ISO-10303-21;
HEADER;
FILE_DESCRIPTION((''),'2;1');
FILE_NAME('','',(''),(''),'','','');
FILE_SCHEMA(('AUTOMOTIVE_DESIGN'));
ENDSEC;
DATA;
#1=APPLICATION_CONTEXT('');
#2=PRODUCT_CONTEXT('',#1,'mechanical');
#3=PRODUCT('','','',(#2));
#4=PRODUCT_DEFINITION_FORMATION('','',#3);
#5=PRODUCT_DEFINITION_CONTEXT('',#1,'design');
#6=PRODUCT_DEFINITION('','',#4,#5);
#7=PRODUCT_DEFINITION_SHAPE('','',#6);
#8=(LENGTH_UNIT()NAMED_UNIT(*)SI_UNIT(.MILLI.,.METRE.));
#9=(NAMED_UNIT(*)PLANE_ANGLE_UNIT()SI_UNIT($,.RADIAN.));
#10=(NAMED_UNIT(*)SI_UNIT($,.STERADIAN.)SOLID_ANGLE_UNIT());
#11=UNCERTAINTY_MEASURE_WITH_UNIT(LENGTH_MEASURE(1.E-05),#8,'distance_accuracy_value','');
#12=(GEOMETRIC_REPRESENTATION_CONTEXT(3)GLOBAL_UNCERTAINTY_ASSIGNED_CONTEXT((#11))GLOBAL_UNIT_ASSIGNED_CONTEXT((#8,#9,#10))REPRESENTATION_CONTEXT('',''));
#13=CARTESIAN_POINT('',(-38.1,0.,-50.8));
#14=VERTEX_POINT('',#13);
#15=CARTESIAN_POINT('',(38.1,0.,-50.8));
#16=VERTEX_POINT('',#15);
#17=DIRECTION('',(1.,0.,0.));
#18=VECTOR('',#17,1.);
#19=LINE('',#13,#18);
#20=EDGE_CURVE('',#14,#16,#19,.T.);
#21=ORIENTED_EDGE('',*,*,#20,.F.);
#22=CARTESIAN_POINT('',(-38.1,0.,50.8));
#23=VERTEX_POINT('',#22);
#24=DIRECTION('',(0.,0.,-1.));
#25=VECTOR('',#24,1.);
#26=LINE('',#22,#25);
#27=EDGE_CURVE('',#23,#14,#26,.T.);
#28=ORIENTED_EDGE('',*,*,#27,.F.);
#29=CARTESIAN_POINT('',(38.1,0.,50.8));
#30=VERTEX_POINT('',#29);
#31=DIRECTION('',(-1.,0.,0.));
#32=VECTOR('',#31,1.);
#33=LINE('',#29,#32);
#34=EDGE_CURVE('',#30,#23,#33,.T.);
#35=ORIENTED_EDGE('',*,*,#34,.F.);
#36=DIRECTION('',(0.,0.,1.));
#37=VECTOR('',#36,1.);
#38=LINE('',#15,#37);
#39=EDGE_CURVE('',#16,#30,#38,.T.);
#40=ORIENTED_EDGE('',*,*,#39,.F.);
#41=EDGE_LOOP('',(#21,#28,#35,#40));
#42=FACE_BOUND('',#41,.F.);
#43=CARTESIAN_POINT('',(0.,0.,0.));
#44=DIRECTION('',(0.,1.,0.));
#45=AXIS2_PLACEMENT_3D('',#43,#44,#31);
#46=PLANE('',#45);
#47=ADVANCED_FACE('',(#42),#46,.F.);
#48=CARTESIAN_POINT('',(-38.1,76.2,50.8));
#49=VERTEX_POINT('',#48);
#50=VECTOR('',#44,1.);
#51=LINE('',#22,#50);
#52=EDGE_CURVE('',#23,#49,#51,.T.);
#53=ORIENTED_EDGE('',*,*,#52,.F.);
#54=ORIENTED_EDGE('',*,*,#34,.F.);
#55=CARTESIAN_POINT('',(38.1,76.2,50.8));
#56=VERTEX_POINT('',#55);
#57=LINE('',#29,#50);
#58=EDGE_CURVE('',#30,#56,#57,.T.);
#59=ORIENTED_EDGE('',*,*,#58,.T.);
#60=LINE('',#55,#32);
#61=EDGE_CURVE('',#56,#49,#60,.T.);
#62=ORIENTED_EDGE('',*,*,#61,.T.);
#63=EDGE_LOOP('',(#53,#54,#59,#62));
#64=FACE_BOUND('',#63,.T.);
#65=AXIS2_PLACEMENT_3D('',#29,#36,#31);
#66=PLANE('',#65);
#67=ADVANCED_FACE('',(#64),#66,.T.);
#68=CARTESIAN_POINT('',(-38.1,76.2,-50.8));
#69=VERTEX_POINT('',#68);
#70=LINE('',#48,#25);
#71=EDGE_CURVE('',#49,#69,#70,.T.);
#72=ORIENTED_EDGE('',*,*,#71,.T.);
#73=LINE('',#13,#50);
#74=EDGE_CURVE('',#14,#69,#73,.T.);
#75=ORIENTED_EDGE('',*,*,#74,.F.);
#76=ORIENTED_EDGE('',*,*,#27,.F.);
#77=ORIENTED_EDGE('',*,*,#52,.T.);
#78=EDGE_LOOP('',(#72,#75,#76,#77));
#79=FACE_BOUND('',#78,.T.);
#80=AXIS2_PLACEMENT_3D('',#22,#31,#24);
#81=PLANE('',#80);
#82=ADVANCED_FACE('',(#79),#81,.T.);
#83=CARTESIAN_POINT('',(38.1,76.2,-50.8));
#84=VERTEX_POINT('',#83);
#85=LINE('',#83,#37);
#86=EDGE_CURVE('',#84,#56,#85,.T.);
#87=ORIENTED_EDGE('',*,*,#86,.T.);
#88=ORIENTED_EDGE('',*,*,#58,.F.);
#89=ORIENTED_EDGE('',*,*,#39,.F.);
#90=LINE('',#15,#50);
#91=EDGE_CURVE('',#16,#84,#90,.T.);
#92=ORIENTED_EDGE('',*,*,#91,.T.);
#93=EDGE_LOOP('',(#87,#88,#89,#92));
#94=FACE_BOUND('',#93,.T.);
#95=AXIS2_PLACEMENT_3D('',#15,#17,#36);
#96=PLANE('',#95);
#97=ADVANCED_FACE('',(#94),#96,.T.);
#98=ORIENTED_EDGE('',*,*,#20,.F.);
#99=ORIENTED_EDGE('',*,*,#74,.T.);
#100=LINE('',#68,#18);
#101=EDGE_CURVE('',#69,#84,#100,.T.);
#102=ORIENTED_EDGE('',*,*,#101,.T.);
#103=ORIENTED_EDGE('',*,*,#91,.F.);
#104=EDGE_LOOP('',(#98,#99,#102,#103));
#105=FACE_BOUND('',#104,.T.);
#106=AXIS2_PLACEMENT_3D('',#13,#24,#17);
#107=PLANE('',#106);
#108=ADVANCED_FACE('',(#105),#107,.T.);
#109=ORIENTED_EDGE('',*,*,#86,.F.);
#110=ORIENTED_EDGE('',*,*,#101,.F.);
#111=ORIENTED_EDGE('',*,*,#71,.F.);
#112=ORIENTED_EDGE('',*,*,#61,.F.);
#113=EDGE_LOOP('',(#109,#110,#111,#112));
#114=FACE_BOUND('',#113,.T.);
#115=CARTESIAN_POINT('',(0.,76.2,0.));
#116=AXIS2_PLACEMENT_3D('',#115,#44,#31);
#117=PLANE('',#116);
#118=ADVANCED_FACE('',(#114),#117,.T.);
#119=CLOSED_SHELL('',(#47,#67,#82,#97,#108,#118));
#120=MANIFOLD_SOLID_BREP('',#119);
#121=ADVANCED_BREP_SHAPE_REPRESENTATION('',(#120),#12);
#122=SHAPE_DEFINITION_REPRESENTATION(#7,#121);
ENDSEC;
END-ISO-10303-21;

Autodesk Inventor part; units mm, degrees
ref_plane "YZ Plane" through (0, 0, 0) normal (1, 0, 0) x (0, 1, 0)
ref_plane "XZ Plane" through (0, 0, 0) normal (0, 1, 0) x (-1, 0, 0)
ref_plane "XY Plane" through (0, 0, 0) normal (0, 0, 1) x (1, 0, 0)
sketch "Sketch1" plane through (0, 0, 0) normal (0, 1, 0) x (-1, 0, 0)
  line L0 (-38.1, 50.8) -> (38.1, 50.8)
  line L1 (38.1, 50.8) -> (38.1, -50.8)
  line L2 (38.1, -50.8) -> (-38.1, -50.8)
  line L3 (-38.1, -50.8) -> (-38.1, 50.8)
  line L4 (-38.1, 50.8) -> (38.1, -50.8) construction
  line L5 (38.1, 50.8) -> (-38.1, -50.8) construction
  point P0 (0, 0)
  dimension "d0" = 76.2
  dimension "d1" = 101.6
extrude "Extrusion1" add sketch "Sketch1" along normal blind 76.2
sketch "Sketch2" plane through (0, 0, 0) normal (1, 0, 0) x (0, 1, 0)
  line L0 (0, 50.8) -> (76.2, 50.8) projected
  line L1 (46.8312, 50.8) -> (46.8313, -3.9688)
  line L2 (46.8313, -3.9688) -> (21.4312, -3.9688)
  line L3 (21.4312, -3.9688) -> (21.4313, -50.8)
  line L4 (0, -50.8) -> (76.2, -50.8) projected
  line L5 (29.3688, -50.8) -> (29.3687, 3.9688)
  line L6 (29.3687, 3.9688) -> (54.7688, 3.9688)
  line L7 (54.7688, 3.9688) -> (54.7688, 50.8)
  line L8 (0, 50.8) -> (0, -50.8) projected
  line L9 (21.4312, -3.9688) -> (29.3687, -3.9688)
  line L10 (21.4312, -3.9688) -> (21.4312, 3.9688)
  line L11 (54.7688, 3.9688) -> (46.8313, 3.9688)
  line L12 (54.7688, 3.9688) -> (54.7688, -3.9688)
  line L13 (25.4, 3.9688) -> (25.4, -50.8)
  line L14 (29.3687, 0) -> (46.8313, 0)
  line L15 (50.8, -3.9687) -> (50.8, 50.8)
  line L16 (54.7688, 50.8) -> (46.8312, 50.8)
  line L17 (21.4313, -50.8) -> (29.3688, -50.8)
  line L18 (45.085, 34.925) -> (45.085, 50.8)
  line L19 (45.085, 50.8) -> (56.515, 50.8)
  line L20 (56.515, 50.8) -> (56.515, 34.925)
  line L21 (56.515, 34.925) -> (45.085, 34.925)
  line L22 (45.085, 34.925) -> (56.515, 50.8) construction
  line L23 (45.085, 50.8) -> (56.515, 34.925) construction
  line L24 (19.685, -34.925) -> (19.685, -50.8)
  line L25 (19.685, -50.8) -> (31.115, -50.8)
  line L26 (31.115, -50.8) -> (31.115, -34.925)
  line L27 (31.115, -34.925) -> (19.685, -34.925)
  line L28 (19.685, -34.925) -> (31.115, -50.8) construction
  line L29 (19.685, -50.8) -> (31.115, -34.925) construction
  line L30 (50.8, 50.8) -> (50.8, 34.925)
  line L31 (25.4, -34.925) -> (25.4, -50.8)
  line L32 (29.3687, 3.9688) -> (21.4312, 3.9688)
  line L33 (46.8313, -3.9688) -> (54.7688, -3.9688)
  point P0 (0, 0)
  point P1 (21.4312, 0)
  point P2 (0, 0)
  point P3 (50.8, 42.8625)
  point P4 (25.4, -42.8625)
  dimension "d4" = 7.9375
  dimension "d7" = 3.9688
  dimension "d8" = 3.9688
  dimension "d9" = 3.9688
  dimension "d10" = 11.43
  dimension "d11" = 11.43
  dimension "d12" = 15.875
  dimension "d13" = 15.875
  dimension "d42" = 50.8
  dimension "d43" = 25.4
equation "\"d7\" = 0.5 * d4"
equation "\"d8\" = d7"
equation "\"d9\" = d8"
equation "\"d11\" = d10"
equation "\"d13\" = d12"
properties part number "Valveblock"
